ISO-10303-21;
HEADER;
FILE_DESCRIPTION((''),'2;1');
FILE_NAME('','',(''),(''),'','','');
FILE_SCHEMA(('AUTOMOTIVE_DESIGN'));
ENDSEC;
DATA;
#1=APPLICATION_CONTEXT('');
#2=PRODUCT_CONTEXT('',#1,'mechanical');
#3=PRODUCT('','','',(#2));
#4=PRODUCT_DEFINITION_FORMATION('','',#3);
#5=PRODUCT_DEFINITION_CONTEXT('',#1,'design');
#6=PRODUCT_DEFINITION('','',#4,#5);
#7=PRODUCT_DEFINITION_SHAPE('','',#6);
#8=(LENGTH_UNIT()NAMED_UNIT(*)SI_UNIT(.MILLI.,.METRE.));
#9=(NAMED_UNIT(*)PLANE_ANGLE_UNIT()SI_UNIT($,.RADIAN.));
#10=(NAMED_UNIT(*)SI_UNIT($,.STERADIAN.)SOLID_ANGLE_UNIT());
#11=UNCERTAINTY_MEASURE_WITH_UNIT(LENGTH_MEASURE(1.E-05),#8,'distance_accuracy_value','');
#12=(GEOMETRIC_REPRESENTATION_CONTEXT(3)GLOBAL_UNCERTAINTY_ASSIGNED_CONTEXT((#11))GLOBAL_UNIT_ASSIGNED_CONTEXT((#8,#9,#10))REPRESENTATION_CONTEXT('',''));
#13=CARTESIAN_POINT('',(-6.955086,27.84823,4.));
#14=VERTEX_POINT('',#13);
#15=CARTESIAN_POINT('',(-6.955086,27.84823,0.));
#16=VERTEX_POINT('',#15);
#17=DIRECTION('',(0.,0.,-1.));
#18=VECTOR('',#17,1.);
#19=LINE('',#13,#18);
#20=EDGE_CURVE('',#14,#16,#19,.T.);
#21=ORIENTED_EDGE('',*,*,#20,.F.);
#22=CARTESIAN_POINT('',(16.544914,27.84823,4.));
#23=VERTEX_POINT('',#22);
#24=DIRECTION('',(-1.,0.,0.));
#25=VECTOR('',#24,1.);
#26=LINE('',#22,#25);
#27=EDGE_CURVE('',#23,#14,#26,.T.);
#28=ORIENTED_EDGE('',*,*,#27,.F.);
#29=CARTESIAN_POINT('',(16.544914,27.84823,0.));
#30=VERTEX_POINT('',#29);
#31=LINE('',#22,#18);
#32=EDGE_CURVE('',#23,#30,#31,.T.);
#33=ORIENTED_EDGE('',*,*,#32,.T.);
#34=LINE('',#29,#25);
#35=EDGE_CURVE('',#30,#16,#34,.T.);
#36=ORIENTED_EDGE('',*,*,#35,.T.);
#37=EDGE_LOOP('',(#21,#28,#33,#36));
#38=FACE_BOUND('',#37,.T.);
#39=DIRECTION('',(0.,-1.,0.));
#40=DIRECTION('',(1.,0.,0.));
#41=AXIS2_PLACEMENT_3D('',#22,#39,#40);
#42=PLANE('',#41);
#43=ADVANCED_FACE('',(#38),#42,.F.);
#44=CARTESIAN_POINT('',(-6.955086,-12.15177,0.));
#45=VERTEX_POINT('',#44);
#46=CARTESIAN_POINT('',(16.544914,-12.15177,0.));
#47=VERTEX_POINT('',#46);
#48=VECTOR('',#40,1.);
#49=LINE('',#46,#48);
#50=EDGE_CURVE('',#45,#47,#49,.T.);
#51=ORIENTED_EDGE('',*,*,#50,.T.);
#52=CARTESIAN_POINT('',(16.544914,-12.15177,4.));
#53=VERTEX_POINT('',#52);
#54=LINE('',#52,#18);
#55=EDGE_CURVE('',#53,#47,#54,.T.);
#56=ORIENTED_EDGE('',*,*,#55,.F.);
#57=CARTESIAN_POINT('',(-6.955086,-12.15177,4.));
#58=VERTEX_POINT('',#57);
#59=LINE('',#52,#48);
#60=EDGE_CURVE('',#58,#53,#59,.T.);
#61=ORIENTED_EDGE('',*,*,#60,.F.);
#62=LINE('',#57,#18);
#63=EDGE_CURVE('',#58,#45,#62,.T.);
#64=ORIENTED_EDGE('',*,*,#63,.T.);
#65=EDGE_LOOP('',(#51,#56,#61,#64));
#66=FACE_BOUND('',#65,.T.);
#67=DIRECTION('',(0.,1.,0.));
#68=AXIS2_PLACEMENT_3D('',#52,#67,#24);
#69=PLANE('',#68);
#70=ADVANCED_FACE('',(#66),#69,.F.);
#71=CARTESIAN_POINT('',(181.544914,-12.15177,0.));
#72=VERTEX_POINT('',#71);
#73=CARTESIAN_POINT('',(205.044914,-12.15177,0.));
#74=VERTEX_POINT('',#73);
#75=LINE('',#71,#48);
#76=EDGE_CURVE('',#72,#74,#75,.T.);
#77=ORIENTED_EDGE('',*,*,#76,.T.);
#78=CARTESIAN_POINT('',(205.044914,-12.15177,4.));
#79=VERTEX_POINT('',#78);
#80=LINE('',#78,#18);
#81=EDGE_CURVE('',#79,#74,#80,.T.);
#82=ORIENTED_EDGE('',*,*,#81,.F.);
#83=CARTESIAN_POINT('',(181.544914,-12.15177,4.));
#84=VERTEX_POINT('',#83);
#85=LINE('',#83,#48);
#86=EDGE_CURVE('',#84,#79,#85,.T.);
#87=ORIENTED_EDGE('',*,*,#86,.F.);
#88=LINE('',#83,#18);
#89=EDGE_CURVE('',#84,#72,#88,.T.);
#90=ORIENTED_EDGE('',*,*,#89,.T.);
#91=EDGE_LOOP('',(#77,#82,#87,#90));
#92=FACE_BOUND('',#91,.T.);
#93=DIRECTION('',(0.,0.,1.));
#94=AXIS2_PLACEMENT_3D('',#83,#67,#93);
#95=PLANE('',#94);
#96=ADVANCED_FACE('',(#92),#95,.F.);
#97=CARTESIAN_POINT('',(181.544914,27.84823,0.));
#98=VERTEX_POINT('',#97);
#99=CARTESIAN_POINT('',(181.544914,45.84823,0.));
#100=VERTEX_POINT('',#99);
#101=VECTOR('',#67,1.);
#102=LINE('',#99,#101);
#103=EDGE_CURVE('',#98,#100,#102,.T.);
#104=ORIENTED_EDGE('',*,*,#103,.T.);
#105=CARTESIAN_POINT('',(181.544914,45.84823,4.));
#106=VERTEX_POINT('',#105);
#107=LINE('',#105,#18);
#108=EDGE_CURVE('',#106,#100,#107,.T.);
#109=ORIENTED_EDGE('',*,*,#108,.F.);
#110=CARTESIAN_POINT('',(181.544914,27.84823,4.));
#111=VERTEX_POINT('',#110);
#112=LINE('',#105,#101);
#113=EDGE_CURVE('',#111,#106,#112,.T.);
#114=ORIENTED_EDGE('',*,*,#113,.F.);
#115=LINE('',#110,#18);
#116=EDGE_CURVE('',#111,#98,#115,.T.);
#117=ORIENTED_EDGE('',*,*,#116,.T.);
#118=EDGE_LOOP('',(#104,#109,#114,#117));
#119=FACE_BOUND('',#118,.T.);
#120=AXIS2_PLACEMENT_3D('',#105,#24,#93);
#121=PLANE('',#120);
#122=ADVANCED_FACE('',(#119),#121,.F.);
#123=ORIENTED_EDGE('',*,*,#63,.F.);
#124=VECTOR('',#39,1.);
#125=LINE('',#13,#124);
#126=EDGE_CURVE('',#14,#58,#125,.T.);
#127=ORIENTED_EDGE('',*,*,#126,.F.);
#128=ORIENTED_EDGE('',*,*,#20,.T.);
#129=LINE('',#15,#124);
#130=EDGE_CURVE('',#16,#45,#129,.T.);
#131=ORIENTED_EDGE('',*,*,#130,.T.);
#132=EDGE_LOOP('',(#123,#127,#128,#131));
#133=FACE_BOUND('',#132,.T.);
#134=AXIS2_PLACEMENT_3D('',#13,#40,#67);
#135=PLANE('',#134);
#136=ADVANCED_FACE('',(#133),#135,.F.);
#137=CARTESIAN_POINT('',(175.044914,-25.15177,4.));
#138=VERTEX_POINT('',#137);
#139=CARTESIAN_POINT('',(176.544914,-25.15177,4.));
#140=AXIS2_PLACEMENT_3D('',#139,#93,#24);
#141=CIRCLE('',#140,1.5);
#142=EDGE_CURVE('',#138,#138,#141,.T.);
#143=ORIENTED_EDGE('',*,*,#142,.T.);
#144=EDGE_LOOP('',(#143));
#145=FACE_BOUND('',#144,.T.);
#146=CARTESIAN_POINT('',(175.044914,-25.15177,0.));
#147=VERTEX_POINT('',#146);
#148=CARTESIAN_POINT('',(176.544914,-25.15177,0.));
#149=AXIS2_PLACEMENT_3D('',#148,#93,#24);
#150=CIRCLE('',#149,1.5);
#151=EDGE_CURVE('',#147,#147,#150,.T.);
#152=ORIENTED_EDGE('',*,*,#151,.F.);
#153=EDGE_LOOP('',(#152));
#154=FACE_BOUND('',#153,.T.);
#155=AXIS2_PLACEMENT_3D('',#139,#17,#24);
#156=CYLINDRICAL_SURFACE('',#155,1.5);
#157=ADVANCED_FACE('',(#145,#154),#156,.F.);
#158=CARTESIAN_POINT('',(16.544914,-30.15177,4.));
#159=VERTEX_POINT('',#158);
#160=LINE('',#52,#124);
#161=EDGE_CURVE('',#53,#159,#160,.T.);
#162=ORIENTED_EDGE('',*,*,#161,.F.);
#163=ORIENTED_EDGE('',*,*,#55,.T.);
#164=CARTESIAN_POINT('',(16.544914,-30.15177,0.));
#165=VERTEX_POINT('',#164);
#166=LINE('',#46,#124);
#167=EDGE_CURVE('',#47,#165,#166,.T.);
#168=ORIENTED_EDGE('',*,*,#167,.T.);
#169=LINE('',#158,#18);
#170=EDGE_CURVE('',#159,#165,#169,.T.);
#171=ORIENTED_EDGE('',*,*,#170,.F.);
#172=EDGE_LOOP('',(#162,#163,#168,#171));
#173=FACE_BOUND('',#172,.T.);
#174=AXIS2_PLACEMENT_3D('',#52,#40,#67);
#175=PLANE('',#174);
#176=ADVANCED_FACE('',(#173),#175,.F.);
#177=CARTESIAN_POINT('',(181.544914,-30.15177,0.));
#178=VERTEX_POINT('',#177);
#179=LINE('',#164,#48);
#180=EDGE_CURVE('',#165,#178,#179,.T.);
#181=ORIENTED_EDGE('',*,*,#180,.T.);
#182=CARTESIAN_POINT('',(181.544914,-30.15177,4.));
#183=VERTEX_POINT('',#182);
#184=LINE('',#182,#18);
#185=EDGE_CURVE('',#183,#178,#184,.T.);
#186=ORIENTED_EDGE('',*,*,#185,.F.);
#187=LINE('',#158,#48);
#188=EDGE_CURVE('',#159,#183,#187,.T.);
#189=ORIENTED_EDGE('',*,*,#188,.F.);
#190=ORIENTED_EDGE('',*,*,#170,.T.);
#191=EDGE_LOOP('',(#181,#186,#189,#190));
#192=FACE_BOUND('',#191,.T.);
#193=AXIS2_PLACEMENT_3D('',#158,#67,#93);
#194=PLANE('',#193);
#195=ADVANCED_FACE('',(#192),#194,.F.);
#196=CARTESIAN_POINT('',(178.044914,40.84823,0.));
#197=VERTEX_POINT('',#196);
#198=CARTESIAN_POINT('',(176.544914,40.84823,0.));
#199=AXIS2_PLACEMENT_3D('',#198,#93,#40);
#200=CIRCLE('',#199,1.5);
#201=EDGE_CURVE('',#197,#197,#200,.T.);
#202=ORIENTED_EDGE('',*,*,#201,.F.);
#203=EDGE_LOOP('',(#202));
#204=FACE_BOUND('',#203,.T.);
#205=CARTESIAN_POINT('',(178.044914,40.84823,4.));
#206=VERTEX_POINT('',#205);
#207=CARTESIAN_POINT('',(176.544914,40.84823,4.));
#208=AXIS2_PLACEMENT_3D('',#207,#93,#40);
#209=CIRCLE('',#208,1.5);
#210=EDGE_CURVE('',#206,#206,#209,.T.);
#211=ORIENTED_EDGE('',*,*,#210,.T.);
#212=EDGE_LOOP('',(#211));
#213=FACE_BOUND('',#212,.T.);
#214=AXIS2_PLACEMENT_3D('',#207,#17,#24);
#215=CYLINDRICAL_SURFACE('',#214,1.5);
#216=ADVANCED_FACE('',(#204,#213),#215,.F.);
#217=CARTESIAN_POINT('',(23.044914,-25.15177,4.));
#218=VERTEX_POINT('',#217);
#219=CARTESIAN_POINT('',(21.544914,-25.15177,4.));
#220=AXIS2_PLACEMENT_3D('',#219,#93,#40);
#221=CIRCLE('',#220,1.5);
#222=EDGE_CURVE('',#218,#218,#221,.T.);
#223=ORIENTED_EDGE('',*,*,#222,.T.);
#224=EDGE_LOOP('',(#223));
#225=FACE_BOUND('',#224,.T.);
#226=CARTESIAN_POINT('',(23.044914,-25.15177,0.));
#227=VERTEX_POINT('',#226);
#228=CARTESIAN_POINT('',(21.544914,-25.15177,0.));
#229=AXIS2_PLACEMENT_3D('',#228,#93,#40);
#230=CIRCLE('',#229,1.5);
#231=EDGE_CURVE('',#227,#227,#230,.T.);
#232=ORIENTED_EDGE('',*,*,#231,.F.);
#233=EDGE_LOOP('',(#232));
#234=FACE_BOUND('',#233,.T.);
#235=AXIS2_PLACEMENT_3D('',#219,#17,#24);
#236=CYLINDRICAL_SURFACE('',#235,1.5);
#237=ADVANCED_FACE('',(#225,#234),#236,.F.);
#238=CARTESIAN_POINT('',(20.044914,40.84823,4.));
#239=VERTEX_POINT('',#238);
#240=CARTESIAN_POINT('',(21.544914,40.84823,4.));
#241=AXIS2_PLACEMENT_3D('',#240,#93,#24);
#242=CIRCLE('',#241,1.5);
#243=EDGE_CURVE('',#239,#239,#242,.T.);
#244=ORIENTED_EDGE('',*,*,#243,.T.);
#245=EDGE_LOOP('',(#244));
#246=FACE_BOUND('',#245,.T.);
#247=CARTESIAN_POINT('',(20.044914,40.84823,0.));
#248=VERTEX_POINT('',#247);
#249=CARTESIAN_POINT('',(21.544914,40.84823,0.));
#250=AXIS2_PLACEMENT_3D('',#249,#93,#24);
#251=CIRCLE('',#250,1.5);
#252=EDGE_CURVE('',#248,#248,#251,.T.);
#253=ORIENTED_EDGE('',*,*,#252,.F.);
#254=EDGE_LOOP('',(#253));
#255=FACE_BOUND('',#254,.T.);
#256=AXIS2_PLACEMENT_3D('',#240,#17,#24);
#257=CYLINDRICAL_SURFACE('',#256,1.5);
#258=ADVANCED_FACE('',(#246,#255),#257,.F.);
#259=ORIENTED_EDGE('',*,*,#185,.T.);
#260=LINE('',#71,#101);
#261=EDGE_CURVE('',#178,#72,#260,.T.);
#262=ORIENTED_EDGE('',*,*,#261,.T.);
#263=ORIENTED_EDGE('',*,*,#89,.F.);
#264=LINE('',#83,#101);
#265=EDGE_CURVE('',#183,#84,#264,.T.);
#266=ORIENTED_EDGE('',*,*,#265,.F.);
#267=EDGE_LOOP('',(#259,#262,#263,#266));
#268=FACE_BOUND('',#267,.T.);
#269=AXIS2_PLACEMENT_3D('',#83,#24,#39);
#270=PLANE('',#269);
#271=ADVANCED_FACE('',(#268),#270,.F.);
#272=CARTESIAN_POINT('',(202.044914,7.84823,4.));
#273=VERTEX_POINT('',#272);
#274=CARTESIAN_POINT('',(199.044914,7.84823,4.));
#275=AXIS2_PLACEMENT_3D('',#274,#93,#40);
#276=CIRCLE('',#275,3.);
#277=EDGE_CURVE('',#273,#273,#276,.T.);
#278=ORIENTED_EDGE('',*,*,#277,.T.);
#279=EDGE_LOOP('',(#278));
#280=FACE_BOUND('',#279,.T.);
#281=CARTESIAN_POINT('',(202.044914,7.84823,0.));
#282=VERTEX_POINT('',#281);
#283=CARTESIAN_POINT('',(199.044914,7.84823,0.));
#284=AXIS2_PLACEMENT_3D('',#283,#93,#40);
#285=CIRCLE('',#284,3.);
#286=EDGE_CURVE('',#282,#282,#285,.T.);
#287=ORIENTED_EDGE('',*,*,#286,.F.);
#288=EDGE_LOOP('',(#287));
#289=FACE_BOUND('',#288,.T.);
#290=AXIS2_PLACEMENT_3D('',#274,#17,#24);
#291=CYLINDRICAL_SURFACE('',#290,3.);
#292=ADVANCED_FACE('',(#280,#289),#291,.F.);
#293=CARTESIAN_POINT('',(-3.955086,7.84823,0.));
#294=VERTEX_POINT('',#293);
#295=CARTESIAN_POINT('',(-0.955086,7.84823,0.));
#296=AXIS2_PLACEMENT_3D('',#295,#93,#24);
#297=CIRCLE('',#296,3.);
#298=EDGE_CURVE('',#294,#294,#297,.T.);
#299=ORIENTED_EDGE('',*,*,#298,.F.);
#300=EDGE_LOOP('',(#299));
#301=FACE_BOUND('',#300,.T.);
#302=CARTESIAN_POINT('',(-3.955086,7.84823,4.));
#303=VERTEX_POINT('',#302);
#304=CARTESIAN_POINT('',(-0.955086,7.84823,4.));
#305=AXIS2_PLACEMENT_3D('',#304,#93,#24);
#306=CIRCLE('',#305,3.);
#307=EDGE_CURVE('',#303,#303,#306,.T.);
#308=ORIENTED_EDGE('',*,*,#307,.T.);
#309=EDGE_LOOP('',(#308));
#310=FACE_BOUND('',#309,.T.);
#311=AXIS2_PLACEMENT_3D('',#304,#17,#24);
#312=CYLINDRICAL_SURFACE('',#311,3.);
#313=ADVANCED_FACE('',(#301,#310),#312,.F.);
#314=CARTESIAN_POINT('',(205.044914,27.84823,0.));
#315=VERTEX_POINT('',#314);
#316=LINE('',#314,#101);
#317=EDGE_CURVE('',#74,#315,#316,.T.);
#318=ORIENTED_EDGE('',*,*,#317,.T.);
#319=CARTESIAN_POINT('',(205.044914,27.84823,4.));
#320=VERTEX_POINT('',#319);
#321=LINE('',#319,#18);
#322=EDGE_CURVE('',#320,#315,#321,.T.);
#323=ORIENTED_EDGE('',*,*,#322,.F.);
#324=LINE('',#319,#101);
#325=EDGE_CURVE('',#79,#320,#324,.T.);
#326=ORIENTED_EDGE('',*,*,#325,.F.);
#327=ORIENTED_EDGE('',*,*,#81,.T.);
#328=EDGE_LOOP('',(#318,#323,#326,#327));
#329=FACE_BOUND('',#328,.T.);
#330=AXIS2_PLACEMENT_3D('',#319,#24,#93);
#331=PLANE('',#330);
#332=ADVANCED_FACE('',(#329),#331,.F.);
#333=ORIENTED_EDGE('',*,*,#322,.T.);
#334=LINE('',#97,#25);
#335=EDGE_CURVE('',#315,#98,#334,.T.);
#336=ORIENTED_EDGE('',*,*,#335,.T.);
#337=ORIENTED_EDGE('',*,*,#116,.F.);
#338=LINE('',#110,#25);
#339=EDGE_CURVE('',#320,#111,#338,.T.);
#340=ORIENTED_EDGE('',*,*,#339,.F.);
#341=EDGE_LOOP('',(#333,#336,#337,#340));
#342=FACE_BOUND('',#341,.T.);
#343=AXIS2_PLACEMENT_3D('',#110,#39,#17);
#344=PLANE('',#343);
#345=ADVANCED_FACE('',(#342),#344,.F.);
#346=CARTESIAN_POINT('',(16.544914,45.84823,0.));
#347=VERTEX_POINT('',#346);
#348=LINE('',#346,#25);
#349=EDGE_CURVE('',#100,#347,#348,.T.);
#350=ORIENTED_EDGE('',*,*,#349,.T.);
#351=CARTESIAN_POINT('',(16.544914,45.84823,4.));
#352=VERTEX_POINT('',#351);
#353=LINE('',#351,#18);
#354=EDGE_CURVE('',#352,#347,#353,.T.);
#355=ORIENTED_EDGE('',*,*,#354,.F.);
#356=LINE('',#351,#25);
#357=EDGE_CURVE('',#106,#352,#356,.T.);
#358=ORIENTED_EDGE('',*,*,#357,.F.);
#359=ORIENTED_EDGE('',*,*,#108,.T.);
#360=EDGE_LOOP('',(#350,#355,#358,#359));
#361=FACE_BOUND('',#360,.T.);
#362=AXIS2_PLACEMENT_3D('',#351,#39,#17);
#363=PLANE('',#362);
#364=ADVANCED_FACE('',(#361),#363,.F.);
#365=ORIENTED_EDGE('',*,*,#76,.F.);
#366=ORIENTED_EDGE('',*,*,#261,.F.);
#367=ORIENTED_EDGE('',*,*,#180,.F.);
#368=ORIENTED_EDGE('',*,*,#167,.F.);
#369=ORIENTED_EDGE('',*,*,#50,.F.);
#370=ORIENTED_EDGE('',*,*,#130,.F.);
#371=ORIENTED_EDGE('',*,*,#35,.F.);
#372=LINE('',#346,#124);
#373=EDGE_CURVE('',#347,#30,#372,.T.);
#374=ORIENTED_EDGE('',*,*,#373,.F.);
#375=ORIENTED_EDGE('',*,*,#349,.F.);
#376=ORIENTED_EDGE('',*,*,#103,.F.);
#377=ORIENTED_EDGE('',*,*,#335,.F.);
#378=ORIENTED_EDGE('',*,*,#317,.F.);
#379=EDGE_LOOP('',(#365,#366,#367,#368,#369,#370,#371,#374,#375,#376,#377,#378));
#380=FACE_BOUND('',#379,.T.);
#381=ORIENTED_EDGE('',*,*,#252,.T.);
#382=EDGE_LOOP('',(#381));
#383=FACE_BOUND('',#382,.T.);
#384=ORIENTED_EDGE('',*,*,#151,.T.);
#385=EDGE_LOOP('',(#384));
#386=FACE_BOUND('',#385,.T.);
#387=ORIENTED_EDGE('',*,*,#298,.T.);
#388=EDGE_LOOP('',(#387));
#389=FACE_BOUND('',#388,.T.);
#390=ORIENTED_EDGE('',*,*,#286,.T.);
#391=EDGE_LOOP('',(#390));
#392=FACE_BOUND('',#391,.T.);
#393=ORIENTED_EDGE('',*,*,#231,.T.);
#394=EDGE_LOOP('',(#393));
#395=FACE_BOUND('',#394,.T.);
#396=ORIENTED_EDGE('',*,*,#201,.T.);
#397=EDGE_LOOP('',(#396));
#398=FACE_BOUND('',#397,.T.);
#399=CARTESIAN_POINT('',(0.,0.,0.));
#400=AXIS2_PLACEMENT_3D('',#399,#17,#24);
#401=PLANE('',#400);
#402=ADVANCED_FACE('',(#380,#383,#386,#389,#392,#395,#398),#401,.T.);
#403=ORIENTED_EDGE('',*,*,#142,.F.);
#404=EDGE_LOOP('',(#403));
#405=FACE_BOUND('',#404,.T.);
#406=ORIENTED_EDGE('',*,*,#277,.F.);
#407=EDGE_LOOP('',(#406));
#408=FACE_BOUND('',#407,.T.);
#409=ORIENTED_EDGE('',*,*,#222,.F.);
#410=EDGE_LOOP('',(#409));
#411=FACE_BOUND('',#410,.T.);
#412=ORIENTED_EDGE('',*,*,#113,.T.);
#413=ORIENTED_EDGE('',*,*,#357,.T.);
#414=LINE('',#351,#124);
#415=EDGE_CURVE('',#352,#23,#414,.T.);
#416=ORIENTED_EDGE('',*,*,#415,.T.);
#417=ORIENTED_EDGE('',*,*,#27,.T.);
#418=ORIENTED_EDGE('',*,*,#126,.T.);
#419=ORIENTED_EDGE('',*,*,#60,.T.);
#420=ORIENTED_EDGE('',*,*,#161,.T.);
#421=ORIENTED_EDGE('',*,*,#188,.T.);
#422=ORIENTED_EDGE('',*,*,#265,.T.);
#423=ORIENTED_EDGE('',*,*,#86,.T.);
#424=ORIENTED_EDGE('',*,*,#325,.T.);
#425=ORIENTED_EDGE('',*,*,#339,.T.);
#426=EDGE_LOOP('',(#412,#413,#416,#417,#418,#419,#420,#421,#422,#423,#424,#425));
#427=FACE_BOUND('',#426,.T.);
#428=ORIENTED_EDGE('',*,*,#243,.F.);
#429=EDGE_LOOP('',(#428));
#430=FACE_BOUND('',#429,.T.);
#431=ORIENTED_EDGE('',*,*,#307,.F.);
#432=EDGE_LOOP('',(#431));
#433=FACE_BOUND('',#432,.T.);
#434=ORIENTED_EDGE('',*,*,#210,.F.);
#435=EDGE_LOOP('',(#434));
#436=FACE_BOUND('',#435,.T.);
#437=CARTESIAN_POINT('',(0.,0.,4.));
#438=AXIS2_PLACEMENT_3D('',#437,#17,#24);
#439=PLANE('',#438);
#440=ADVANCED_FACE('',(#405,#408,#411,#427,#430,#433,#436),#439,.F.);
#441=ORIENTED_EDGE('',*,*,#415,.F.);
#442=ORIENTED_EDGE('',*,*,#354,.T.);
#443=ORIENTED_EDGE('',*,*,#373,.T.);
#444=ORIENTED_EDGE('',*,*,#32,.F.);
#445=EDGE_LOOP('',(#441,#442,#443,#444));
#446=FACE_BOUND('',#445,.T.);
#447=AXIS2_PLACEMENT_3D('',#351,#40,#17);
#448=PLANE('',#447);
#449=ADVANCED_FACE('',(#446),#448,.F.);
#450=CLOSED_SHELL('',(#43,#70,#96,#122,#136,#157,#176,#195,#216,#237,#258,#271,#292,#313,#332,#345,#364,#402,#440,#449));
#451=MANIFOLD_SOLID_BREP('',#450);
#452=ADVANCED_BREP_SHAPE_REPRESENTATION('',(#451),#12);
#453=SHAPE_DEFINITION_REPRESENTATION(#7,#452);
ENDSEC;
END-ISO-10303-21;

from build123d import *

# Parameters (mm, degrees)
SKETCH1_R           = 1.5
SKETCH1_R_2         = 3
BOSS_EXTRUDE1_DEPTH = 4


with BuildPart() as part:
    # Sketch1 → Boss-Extrude1 (new body)
    with BuildSketch(Plane.XY):
        Polygon((16.544913582, 45.848229773), (181.544913582, 45.848229773), (181.544913582, 27.848229773), (205.044913582, 27.848229773), (205.044913582, -12.151770227), (181.544913582, -12.151770227), (181.544913582, -30.151770227), (16.544913582, -30.151770227), (16.544913582, -12.151770227), (-6.955086418, -12.151770227), (-6.955086418, 27.848229773), (16.544913582, 27.848229773), align=None)
        with Locations((21.544913582, -25.151770227)):
            Circle(SKETCH1_R, mode=Mode.SUBTRACT)
        with Locations(Location((176.544913582, -25.151770227, 0), (0, 0, 180))):
            Circle(SKETCH1_R, mode=Mode.SUBTRACT)
        with Locations((176.544913582, 40.848229773)):
            Circle(SKETCH1_R, mode=Mode.SUBTRACT)
        with Locations(Location((21.544913582, 40.848229773, 0), (0, 0, 180))):
            Circle(SKETCH1_R, mode=Mode.SUBTRACT)
        with Locations((199.044913582, 7.848229773)):
            Circle(SKETCH1_R_2, mode=Mode.SUBTRACT)
        with Locations(Location((-0.955086418, 7.848229773, 0), (0, 0, 180))):
            Circle(SKETCH1_R_2, mode=Mode.SUBTRACT)
    extrude(amount=BOSS_EXTRUDE1_DEPTH)


solid = part.part
